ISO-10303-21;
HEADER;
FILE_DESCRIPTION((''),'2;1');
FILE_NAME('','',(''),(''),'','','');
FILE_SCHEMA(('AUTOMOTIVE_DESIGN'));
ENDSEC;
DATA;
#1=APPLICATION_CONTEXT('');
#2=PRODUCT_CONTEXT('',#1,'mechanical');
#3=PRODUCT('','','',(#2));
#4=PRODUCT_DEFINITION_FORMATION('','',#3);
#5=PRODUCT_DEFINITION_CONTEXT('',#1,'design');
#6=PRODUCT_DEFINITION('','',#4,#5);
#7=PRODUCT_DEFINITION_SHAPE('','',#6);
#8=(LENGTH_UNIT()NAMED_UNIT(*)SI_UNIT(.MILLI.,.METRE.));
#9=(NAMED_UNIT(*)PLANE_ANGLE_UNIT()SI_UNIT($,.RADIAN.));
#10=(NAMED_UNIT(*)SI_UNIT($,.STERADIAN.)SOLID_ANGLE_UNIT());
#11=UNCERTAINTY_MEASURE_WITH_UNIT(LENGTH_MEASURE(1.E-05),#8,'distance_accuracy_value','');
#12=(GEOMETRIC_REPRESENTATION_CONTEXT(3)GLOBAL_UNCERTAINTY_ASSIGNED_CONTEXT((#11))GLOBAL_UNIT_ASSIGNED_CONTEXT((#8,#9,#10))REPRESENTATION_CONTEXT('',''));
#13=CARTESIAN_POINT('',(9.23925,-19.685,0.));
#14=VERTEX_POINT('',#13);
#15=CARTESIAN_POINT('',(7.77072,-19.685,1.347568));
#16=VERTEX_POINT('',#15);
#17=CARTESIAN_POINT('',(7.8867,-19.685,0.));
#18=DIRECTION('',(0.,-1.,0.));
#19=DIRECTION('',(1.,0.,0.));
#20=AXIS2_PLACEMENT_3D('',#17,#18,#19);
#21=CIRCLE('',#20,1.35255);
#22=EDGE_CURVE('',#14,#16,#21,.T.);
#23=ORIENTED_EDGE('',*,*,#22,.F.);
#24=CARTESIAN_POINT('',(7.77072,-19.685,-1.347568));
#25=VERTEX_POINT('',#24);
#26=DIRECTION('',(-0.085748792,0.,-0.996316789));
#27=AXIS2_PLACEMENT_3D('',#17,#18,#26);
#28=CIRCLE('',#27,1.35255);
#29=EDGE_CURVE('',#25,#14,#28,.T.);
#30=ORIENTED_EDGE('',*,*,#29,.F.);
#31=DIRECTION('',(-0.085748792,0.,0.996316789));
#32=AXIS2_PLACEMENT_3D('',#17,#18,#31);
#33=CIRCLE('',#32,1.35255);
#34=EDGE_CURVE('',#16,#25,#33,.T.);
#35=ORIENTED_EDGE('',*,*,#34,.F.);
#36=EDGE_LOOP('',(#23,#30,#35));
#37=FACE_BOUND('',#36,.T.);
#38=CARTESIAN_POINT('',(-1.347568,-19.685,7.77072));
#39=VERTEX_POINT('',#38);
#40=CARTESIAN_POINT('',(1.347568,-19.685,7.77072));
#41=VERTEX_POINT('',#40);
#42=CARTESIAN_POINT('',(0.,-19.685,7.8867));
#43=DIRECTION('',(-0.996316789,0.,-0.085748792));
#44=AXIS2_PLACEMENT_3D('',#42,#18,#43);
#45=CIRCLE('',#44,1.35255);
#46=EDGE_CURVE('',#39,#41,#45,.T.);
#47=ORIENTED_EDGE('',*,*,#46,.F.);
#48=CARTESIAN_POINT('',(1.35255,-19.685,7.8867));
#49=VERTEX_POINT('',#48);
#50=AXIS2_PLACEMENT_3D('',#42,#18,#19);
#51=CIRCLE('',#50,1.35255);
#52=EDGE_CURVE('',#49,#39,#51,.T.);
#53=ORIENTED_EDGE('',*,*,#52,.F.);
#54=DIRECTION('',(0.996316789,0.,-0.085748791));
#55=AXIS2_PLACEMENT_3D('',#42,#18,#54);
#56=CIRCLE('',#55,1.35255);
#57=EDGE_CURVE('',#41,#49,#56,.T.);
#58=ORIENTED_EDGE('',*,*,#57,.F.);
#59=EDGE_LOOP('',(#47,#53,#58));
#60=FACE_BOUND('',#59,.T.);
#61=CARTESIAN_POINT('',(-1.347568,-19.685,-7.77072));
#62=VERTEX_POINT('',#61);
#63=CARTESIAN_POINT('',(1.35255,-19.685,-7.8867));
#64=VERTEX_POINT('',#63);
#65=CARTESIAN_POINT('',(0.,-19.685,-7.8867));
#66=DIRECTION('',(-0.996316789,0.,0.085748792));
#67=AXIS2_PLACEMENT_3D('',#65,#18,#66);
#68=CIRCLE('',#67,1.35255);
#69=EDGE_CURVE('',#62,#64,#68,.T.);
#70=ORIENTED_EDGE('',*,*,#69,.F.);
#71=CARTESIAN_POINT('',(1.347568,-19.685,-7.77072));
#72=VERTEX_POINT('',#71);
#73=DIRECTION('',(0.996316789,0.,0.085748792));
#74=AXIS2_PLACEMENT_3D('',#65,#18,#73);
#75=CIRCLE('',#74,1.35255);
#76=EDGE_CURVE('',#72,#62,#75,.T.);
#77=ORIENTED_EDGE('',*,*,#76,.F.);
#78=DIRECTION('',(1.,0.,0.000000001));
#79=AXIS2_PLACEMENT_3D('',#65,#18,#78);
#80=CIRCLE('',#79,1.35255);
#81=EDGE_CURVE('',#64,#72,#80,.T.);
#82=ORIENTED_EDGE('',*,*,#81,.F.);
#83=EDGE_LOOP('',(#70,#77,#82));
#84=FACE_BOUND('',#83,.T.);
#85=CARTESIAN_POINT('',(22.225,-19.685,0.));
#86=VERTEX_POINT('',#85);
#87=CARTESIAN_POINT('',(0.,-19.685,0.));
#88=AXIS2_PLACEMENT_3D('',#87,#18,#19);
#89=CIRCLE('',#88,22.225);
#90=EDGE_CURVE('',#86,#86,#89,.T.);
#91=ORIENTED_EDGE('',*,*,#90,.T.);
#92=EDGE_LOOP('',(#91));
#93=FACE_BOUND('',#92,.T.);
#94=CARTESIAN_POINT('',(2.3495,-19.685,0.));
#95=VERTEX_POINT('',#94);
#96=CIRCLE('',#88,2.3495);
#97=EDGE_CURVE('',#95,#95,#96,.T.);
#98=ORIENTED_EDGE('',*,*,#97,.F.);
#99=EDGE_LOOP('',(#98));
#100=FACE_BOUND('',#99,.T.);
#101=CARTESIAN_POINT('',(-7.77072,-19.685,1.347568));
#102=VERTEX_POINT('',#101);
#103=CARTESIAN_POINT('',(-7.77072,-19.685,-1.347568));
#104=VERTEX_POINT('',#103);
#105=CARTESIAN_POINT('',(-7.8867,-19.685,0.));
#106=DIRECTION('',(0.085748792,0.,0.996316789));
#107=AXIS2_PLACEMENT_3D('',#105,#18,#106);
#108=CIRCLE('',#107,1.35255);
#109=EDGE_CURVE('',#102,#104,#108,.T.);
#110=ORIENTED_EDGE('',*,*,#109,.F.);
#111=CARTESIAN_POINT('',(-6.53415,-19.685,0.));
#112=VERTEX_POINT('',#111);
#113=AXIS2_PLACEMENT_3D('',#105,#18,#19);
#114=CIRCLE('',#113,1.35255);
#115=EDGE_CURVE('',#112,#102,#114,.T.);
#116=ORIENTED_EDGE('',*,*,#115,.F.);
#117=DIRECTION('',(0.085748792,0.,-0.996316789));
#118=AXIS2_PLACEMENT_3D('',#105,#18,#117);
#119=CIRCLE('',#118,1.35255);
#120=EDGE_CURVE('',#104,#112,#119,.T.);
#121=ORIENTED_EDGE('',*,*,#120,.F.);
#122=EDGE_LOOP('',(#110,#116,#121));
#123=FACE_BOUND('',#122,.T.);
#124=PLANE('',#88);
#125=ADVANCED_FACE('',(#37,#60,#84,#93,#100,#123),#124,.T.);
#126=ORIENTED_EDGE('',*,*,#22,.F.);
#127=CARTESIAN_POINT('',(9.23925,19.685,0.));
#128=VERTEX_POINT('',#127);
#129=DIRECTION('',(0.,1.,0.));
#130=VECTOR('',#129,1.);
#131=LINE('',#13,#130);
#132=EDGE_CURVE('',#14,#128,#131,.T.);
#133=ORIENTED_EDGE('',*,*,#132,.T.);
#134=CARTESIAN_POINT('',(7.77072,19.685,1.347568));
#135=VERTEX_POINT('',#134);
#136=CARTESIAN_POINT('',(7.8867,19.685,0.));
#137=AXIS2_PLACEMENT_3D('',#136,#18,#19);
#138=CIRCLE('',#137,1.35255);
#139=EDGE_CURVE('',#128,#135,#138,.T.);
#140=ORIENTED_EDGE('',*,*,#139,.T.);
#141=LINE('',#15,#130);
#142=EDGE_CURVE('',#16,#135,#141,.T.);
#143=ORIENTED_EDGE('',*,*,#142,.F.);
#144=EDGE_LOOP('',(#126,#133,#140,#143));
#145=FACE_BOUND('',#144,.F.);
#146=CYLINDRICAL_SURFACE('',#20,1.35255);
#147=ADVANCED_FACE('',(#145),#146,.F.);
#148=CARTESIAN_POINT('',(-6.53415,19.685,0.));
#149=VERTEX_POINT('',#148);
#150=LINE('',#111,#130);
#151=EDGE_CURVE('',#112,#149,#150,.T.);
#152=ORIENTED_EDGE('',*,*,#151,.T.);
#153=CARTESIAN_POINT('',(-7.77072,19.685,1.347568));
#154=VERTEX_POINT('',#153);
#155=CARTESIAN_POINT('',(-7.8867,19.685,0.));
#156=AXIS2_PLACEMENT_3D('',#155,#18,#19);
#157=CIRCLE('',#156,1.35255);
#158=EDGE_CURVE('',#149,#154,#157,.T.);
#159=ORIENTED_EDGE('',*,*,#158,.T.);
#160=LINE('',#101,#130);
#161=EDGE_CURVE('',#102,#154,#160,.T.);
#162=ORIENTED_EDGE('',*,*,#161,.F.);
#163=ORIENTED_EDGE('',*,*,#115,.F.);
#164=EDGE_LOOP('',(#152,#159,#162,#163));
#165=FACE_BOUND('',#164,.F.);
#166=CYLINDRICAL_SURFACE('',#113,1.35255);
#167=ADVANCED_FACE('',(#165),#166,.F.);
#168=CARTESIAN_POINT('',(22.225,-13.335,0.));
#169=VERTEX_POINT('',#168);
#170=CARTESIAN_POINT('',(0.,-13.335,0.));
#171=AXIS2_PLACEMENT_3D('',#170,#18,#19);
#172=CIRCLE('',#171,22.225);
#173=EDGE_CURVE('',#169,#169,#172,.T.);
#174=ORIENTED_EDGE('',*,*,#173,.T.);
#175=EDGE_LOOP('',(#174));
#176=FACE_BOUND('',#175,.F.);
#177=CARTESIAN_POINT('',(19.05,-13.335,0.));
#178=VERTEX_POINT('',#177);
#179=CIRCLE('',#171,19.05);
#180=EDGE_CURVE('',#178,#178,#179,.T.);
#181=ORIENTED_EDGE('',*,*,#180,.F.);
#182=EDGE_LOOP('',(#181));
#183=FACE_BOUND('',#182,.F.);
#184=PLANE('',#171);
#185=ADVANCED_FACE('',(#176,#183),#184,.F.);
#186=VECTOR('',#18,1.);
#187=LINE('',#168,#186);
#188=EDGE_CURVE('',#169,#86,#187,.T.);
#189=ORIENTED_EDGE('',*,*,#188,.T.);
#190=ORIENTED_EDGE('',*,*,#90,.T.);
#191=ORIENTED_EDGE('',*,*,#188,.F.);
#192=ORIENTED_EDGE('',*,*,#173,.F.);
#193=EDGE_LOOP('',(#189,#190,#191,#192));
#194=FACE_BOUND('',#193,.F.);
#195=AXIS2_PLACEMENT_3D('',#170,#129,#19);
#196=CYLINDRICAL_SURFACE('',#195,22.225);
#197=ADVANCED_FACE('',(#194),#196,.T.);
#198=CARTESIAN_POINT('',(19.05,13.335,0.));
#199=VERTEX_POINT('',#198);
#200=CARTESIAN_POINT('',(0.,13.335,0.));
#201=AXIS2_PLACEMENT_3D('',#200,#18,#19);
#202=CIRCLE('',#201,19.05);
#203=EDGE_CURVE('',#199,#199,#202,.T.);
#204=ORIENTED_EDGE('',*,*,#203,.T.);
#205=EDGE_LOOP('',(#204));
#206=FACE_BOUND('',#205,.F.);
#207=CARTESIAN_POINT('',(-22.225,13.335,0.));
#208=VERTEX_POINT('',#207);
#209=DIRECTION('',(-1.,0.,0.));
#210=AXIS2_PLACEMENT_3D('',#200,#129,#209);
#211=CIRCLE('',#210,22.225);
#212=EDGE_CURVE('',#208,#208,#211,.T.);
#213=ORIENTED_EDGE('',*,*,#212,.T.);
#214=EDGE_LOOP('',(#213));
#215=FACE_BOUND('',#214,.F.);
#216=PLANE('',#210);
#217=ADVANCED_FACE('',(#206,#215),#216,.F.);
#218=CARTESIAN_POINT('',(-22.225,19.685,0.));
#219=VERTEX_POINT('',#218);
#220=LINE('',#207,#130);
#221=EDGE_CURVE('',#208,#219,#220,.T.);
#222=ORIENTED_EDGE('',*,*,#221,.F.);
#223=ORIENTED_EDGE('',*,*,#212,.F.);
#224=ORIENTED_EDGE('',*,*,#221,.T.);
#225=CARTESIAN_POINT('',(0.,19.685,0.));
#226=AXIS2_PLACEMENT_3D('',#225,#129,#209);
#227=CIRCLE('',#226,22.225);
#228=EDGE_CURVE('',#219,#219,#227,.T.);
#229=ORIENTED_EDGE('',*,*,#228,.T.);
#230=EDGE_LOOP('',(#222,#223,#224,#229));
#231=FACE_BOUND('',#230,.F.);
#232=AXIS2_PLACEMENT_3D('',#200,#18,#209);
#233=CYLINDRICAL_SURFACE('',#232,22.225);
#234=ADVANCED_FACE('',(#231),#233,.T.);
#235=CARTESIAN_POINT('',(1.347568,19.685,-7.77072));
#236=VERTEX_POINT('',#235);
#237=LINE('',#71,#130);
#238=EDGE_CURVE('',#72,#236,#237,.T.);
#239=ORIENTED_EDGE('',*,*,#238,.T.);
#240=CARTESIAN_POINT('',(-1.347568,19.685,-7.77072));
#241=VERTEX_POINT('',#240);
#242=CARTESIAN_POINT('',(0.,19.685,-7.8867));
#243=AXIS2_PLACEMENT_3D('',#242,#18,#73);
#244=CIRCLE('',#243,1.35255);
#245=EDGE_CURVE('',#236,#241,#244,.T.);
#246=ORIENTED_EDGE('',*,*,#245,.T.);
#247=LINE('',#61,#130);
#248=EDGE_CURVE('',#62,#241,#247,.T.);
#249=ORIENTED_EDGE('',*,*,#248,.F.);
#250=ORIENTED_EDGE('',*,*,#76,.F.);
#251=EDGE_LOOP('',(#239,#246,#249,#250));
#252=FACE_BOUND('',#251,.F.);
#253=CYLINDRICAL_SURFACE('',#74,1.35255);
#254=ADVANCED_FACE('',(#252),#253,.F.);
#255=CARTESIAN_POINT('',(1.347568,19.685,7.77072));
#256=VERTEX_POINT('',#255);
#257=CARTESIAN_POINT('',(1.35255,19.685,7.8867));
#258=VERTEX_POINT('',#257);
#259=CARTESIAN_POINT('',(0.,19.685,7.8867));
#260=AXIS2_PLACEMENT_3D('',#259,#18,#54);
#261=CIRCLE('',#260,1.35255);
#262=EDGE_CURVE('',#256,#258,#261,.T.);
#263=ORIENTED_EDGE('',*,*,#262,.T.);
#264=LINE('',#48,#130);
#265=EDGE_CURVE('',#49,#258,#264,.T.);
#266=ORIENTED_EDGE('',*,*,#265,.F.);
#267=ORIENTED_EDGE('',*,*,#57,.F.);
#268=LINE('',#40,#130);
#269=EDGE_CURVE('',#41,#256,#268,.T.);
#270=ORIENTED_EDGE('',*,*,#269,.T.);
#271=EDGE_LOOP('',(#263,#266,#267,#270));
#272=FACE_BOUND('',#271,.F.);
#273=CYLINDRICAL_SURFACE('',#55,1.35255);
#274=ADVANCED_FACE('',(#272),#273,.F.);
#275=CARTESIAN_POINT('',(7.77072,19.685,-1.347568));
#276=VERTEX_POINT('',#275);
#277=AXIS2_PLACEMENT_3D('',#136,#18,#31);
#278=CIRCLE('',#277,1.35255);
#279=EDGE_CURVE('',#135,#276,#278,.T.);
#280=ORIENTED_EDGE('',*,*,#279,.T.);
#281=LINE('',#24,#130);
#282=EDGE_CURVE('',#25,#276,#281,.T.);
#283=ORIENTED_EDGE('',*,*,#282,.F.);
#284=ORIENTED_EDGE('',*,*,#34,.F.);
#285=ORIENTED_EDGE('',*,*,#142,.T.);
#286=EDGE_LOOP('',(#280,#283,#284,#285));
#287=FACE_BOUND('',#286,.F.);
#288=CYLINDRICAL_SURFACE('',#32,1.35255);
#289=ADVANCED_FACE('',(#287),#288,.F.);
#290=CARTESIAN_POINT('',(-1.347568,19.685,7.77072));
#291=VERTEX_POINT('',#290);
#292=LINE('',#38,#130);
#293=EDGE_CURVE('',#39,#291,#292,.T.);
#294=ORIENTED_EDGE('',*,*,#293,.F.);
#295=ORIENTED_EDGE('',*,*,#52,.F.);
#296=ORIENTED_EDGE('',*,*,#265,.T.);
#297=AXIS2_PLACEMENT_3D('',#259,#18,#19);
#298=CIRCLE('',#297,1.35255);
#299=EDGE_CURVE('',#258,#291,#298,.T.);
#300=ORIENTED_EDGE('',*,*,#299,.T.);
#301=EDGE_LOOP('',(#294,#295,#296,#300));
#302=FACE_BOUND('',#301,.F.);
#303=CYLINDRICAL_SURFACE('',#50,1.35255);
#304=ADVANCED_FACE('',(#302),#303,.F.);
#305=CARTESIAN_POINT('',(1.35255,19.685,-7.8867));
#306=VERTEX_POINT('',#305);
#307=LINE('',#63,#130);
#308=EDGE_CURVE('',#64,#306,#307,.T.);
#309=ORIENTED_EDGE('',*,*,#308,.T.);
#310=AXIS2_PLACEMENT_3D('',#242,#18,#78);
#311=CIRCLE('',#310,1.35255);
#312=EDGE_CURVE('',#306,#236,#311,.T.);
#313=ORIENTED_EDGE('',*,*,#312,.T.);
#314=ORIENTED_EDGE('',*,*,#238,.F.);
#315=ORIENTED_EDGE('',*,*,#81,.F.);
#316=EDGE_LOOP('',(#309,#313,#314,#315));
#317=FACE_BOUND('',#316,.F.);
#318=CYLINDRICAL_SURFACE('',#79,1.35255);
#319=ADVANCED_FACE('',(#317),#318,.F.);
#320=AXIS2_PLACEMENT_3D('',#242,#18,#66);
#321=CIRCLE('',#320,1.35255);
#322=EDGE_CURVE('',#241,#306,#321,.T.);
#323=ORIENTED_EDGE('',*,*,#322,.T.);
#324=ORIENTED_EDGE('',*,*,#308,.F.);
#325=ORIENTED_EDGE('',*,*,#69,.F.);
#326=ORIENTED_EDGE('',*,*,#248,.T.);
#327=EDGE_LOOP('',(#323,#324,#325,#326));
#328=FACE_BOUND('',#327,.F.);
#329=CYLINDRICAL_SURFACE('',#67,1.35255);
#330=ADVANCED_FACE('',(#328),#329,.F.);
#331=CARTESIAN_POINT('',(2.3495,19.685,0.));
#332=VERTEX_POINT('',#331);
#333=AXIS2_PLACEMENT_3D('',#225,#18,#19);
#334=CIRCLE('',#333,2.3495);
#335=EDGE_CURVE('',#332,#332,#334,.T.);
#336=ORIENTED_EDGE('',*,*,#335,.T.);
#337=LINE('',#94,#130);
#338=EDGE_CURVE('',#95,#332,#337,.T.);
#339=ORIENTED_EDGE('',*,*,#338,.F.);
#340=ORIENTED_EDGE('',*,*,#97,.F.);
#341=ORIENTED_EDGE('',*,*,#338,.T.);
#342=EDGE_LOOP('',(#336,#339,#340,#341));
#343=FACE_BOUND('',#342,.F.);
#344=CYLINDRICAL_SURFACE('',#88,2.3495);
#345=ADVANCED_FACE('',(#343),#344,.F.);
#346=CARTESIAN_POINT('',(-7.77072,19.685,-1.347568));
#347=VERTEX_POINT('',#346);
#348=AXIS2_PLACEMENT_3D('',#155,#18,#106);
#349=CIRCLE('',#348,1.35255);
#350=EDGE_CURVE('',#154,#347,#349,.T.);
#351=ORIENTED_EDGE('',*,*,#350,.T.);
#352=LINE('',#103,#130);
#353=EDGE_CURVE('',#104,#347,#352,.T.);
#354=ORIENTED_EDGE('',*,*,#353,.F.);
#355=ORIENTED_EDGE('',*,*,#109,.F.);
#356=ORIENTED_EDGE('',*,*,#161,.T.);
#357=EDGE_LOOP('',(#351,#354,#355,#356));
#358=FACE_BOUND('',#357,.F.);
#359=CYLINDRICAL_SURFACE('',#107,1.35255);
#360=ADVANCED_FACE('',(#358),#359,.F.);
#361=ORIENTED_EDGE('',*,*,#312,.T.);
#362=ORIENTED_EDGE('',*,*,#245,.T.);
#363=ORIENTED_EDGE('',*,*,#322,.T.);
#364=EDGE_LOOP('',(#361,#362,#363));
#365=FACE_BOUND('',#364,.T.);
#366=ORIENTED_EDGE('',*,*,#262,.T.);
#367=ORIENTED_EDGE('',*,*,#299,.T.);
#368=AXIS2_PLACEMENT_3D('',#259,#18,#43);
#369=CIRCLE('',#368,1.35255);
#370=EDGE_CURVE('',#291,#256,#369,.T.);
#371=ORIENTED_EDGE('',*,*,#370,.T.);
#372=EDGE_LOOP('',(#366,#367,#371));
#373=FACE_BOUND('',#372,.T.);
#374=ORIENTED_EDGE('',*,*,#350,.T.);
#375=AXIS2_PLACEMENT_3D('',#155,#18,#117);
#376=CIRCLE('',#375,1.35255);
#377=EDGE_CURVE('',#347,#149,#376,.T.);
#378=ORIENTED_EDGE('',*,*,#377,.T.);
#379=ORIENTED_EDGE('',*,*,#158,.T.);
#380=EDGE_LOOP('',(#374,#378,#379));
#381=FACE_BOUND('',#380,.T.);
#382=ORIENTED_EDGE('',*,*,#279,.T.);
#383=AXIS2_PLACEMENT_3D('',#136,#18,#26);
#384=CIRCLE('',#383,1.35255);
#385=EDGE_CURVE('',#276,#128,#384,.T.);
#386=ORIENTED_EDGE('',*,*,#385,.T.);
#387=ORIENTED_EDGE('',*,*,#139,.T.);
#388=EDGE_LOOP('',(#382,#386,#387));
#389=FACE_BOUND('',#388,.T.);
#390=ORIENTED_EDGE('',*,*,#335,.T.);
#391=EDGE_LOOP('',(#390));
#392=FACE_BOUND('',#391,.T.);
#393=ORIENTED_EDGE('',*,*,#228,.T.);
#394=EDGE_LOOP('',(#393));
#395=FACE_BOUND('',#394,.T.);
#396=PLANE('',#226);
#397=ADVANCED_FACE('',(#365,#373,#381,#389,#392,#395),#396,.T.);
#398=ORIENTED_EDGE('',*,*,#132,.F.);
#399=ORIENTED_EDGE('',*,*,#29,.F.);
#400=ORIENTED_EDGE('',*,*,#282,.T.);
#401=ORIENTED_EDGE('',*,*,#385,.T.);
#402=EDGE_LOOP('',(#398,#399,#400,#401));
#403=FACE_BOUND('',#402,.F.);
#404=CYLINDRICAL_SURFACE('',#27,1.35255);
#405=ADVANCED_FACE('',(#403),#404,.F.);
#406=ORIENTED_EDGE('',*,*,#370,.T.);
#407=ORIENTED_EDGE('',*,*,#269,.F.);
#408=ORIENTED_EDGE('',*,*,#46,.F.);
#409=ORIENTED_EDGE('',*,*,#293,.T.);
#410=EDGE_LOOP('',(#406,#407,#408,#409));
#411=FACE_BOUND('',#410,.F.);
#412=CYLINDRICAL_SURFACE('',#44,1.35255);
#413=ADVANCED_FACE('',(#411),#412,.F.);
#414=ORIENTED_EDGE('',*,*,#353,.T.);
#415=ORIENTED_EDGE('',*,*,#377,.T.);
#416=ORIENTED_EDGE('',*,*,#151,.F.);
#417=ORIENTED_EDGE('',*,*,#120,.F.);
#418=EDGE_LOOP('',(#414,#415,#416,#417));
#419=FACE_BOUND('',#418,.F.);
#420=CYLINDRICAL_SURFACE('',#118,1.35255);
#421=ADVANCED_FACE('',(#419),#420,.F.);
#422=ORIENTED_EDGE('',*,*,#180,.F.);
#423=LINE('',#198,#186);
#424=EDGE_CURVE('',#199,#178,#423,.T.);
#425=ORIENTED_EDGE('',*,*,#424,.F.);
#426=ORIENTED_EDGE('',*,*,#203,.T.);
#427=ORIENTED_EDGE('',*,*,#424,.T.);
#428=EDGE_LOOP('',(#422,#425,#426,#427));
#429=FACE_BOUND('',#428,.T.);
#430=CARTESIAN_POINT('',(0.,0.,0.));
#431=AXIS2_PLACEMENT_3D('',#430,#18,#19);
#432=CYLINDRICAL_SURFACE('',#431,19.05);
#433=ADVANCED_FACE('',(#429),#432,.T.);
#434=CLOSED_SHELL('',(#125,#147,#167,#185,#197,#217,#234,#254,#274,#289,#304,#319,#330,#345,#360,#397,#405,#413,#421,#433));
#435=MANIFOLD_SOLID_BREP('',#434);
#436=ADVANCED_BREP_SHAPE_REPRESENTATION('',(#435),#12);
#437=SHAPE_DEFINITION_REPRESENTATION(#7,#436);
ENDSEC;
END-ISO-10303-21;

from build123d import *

# Parameters (mm, degrees)
F0_R          = 19.05
F1_DEPTH      = 13.335
F1_DEPTH_BACK = 13.335
F2_R          = 22.225
F3_DEPTH      = 6.35
F4_R          = 22.225
F5_DEPTH      = 6.35
F6_R          = 2.3495
F7_DEPTH      = 39.37


with BuildPart() as f1:
    # F0 (on Front) → F1 (new body, two sides)
    with BuildSketch(Plane.XZ) as f1_sk:
        Circle(F0_R)
    extrude(amount=F1_DEPTH)
    extrude(f1_sk.sketch, amount=-F1_DEPTH_BACK)

    # F2 (on face) → F3 (join)
    with BuildSketch(Plane.XZ.offset(13.335)):
        Circle(F2_R)
    extrude(amount=F3_DEPTH)

    # F4 (on face) → F5 (join)
    with BuildSketch(Plane(origin=(0, 13.335, 0), x_dir=(-1, 0, 0), z_dir=(0, 1, 0))):
        Circle(F4_R)
    extrude(amount=F5_DEPTH)

    # F6 (on face) → F7 (cut)
    with BuildSketch(Plane.XZ.offset(19.685)):
        with BuildLine():
            ThreePointArc((-6.53415, 0), (-6.8901410167, 0.9144734525), (-7.770720471, 1.3475682734))
            ThreePointArc((-7.770720471, 1.3475682734), (-7.8867, 0), (-7.770720471, -1.3475682734))
            ThreePointArc((-7.770720471, -1.3475682734), (-6.8901410167, -0.9144734525), (-6.53415, 0))
        make_face()
        with BuildLine():
            ThreePointArc((-7.770720471, -1.3475682734), (-7.8867, 0), (-7.770720471, 1.3475682734))
            ThreePointArc((-7.770720471, 1.3475682734), (-9.23925, 0), (-7.770720471, -1.3475682734))
        make_face()
        with BuildLine():
            ThreePointArc((7.770720471, -1.3475682734), (7.8576516221, -0.676275), (7.8867, 0))
            ThreePointArc((7.8867, 0), (7.8576516221, 0.676275), (7.770720471, 1.3475682734))
            ThreePointArc((7.770720471, 1.3475682734), (6.53415, 0), (7.770720471, -1.3475682734))
        make_face()
        with BuildLine():
            ThreePointArc((7.770720471, 1.3475682734), (7.8576516221, 0.676275), (7.8867, 0))
            ThreePointArc((7.8867, 0), (7.8576516221, -0.676275), (7.770720471, -1.3475682734))
            ThreePointArc((7.770720471, -1.3475682734), (8.8011734525, -0.9965589833), (9.23925, 0))
            ThreePointArc((9.23925, 0), (8.8011734525, 0.9965589833), (7.770720471, 1.3475682734))
        make_face()
        Circle(F6_R)
        with BuildLine():
            ThreePointArc((-1.3475682734, -7.770720471), (0, -7.8867), (1.3475682734, -7.770720471))
            ThreePointArc((1.3475682734, -7.770720471), (0, -6.53415), (-1.3475682734, -7.770720471))
        make_face()
        with BuildLine():
            ThreePointArc((1.35255, -7.8867), (1.3513039944, -7.8286567645), (1.3475682734, -7.770720471))
            ThreePointArc((1.3475682734, -7.770720471), (0, -7.8867), (-1.3475682734, -7.770720471))
            ThreePointArc((-1.3475682734, -7.770720471), (-0.0580432355, -9.2380039944), (1.35255, -7.8867))
        make_face()
        with BuildLine():
            ThreePointArc((-1.3475682734, 7.770720471), (0, 6.53415), (1.3475682734, 7.770720471))
            ThreePointArc((1.3475682734, 7.770720471), (0, 7.8867), (-1.3475682734, 7.770720471))
        make_face()
        with BuildLine():
            ThreePointArc((-1.3475682734, 7.770720471), (0, 7.8867), (1.3475682734, 7.770720471))
            ThreePointArc((1.3475682734, 7.770720471), (1.3513039944, 7.8286567645), (1.35255, 7.8867))
            ThreePointArc((1.35255, 7.8867), (-0.0580432355, 9.2380039944), (-1.3475682734, 7.770720471))
        make_face()
    extrude(amount=-F7_DEPTH, mode=Mode.SUBTRACT)


solid = f1.part
